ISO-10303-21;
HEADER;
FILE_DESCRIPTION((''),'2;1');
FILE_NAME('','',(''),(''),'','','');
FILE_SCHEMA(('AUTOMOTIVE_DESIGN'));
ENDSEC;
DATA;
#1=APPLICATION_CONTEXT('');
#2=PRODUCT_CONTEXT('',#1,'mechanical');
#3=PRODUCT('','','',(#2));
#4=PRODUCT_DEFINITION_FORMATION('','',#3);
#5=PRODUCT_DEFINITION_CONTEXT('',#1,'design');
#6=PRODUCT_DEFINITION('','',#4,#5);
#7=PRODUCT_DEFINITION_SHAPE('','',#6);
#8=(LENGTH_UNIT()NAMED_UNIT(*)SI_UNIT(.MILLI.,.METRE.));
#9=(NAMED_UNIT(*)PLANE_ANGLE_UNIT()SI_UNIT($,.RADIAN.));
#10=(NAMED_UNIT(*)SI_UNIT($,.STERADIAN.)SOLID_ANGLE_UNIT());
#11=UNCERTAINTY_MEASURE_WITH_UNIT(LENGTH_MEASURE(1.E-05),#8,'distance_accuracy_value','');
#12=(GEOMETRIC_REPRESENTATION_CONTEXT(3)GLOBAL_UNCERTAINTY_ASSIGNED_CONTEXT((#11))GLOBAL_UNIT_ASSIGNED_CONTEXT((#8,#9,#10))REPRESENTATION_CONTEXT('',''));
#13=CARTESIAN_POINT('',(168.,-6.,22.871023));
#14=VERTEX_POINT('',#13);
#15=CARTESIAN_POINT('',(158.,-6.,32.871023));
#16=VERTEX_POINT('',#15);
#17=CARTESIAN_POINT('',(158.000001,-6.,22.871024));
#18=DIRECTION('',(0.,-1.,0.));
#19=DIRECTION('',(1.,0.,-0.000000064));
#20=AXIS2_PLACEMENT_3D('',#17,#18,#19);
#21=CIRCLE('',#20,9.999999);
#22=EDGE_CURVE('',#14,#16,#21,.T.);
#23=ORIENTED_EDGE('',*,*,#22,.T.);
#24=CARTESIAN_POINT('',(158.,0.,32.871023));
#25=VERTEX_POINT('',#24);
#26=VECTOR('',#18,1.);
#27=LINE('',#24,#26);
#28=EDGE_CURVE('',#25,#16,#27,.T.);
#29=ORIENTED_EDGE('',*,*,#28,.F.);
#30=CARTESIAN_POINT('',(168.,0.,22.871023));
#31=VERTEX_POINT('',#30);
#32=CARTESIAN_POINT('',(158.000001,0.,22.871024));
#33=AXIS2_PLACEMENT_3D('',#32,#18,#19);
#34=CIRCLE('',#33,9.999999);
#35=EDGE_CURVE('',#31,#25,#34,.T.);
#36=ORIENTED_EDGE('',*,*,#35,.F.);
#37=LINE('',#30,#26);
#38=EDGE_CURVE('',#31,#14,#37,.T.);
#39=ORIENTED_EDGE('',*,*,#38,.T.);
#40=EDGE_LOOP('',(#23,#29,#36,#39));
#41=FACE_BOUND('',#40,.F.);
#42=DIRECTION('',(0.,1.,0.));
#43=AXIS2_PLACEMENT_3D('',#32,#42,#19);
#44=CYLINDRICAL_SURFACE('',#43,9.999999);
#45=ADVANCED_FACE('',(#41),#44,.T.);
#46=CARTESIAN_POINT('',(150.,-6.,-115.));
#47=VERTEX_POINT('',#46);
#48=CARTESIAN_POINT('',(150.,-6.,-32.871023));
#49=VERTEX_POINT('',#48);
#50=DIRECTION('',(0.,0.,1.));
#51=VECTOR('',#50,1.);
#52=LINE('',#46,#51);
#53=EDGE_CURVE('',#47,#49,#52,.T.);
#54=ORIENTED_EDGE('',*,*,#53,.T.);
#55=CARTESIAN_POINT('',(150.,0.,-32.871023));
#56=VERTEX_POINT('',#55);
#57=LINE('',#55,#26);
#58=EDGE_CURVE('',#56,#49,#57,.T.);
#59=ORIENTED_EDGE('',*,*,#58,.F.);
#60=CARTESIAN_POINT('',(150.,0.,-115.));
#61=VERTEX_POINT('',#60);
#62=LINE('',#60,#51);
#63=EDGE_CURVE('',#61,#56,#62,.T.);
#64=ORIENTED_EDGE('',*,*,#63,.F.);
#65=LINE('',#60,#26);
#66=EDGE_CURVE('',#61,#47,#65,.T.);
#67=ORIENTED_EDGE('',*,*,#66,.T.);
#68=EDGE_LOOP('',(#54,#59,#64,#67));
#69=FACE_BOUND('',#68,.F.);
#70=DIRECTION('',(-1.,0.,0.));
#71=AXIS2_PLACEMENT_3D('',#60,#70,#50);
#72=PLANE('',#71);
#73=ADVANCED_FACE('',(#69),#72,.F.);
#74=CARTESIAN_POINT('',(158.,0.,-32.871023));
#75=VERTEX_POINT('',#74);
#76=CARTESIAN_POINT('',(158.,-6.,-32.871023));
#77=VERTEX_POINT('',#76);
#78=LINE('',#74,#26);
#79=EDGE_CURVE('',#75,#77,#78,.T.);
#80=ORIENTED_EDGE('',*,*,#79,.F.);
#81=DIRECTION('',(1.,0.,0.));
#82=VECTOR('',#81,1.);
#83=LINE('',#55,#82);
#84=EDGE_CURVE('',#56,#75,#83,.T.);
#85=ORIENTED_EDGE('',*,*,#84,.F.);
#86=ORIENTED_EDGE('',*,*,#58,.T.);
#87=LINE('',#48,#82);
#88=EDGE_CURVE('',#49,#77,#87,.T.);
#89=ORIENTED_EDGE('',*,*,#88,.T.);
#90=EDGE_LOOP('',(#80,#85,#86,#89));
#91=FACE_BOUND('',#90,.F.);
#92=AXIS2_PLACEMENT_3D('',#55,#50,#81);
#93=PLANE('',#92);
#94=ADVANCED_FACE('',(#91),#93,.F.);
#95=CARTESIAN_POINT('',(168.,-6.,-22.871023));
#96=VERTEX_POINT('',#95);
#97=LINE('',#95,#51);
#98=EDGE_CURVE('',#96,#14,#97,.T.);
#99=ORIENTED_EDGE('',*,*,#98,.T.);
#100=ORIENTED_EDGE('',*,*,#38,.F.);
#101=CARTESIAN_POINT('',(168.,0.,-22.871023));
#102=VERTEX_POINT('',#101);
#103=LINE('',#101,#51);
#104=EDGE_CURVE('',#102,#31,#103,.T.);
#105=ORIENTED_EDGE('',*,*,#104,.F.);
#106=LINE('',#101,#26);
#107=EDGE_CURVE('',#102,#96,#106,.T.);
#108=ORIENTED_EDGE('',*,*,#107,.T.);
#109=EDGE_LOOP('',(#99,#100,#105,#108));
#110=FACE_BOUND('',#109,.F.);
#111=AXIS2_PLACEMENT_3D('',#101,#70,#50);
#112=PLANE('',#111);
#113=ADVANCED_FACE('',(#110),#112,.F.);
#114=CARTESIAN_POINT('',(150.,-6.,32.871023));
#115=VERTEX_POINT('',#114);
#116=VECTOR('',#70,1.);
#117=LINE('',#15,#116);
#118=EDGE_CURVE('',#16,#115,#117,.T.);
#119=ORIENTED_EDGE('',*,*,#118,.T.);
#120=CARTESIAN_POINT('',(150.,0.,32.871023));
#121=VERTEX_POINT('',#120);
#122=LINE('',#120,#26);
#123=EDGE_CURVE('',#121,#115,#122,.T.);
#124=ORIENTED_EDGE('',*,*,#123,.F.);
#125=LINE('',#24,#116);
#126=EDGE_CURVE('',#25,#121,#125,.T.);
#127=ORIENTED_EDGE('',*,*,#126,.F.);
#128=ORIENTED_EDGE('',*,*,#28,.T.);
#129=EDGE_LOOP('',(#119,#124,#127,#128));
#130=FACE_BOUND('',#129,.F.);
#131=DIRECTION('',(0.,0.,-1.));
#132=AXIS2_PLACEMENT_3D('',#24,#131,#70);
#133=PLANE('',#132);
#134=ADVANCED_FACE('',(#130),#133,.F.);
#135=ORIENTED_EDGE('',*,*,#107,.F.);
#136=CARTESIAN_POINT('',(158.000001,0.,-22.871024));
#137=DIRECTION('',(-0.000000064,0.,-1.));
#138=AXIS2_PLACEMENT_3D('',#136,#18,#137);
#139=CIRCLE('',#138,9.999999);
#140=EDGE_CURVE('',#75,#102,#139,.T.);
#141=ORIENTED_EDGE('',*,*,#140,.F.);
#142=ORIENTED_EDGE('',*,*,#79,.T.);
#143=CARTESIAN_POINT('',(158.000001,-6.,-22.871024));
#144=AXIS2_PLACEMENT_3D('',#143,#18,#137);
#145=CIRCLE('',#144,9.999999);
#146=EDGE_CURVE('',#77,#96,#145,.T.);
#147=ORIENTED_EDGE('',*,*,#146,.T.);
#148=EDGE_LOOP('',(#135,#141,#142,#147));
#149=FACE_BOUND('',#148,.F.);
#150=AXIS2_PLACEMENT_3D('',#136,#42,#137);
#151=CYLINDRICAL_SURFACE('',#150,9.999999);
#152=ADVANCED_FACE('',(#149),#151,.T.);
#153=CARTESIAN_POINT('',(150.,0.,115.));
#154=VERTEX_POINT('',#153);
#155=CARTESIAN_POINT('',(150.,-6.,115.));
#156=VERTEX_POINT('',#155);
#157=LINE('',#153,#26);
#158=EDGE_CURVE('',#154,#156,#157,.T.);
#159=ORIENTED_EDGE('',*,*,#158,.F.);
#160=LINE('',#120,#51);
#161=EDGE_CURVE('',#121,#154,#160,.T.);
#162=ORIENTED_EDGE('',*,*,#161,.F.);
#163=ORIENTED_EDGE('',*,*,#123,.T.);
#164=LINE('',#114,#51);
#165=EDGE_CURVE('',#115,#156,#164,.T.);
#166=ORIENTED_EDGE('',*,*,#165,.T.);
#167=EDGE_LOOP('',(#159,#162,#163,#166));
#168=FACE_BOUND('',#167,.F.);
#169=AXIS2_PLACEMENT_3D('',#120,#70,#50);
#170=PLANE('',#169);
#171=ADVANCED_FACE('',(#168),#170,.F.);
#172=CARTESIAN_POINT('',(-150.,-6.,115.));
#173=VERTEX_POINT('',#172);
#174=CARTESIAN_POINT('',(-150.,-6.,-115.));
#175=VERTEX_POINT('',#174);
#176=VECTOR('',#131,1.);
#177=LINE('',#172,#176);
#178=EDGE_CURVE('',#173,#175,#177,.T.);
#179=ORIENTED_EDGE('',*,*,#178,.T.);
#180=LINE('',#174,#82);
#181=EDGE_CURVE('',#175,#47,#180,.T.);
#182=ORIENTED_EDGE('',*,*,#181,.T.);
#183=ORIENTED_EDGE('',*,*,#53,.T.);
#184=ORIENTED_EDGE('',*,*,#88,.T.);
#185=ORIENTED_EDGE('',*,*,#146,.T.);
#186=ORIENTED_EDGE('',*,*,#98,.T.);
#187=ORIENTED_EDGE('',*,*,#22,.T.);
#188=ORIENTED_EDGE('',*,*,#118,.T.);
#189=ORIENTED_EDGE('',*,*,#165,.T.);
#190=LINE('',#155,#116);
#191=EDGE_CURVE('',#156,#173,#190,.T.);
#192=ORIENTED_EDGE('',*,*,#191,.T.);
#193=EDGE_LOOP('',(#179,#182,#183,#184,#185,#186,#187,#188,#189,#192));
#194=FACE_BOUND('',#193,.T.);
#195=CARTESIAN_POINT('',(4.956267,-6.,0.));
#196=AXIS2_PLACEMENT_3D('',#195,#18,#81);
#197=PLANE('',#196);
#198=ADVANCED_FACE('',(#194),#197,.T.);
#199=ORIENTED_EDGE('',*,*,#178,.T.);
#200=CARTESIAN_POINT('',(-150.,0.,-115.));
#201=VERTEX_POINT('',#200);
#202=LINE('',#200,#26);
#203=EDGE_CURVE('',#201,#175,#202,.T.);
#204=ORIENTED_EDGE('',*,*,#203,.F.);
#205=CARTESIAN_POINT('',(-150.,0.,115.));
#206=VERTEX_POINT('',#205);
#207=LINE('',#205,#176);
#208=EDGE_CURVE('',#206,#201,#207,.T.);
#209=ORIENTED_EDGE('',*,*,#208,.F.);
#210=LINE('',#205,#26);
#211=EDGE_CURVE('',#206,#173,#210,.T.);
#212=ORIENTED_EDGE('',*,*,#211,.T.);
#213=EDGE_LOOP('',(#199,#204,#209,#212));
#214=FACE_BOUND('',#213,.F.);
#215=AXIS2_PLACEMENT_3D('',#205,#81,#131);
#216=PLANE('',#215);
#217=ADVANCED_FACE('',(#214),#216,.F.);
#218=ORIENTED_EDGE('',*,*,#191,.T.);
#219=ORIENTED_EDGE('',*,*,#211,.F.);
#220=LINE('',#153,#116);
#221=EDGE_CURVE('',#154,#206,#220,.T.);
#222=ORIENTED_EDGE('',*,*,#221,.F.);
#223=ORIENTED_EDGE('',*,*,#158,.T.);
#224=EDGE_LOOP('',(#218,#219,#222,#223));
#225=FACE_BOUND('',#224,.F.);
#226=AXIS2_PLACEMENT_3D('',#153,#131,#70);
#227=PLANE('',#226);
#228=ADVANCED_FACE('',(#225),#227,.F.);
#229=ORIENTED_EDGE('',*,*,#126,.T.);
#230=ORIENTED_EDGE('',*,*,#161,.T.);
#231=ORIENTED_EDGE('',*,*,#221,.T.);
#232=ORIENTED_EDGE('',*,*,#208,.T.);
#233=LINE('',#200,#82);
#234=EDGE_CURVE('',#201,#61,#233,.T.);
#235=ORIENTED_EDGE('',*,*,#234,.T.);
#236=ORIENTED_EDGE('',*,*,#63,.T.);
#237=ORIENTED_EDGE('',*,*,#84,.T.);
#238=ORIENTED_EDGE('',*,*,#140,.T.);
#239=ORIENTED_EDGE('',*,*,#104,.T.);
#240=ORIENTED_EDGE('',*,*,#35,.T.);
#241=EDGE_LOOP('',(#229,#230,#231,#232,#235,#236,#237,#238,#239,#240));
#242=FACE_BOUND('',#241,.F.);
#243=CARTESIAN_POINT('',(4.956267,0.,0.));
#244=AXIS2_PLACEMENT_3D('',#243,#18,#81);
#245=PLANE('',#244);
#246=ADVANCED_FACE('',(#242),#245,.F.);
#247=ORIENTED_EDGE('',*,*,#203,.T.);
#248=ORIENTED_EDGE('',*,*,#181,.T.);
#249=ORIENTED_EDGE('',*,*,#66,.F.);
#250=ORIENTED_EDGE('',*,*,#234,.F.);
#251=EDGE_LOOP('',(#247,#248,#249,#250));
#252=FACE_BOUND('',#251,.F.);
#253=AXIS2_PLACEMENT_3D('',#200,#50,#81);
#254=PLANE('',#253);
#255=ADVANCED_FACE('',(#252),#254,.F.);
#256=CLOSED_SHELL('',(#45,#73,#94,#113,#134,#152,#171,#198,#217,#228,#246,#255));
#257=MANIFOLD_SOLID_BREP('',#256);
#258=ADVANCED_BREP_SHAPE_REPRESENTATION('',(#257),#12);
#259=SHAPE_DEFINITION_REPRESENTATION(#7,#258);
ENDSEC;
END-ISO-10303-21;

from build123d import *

# Parameters (mm, degrees)
F1_DEPTH = 6


with BuildPart() as f1:
    # F0 (on Front) → F1 (new body)
    with BuildSketch(Plane.XZ):
        with BuildLine():
            Line((-150, -115), (150, -115))
            Line((150, -115), (150, -32.871023))
            Line((150, -32.871023), (158, -32.871023))
            ThreePointArc((158, -32.871023), (165.071068, -29.942091), (168, -22.871023))
            Line((168, -22.871023), (168, 22.871023))
            ThreePointArc((168, 22.871023), (165.071068, 29.942091), (158, 32.871023))
            Line((158, 32.871023), (150, 32.871023))
            Line((150, 32.871023), (150, 115))
            Line((150, 115), (-150, 115))
            Line((-150, 115), (-150, -115))
        make_face()
    extrude(amount=F1_DEPTH)


solid = f1.part
